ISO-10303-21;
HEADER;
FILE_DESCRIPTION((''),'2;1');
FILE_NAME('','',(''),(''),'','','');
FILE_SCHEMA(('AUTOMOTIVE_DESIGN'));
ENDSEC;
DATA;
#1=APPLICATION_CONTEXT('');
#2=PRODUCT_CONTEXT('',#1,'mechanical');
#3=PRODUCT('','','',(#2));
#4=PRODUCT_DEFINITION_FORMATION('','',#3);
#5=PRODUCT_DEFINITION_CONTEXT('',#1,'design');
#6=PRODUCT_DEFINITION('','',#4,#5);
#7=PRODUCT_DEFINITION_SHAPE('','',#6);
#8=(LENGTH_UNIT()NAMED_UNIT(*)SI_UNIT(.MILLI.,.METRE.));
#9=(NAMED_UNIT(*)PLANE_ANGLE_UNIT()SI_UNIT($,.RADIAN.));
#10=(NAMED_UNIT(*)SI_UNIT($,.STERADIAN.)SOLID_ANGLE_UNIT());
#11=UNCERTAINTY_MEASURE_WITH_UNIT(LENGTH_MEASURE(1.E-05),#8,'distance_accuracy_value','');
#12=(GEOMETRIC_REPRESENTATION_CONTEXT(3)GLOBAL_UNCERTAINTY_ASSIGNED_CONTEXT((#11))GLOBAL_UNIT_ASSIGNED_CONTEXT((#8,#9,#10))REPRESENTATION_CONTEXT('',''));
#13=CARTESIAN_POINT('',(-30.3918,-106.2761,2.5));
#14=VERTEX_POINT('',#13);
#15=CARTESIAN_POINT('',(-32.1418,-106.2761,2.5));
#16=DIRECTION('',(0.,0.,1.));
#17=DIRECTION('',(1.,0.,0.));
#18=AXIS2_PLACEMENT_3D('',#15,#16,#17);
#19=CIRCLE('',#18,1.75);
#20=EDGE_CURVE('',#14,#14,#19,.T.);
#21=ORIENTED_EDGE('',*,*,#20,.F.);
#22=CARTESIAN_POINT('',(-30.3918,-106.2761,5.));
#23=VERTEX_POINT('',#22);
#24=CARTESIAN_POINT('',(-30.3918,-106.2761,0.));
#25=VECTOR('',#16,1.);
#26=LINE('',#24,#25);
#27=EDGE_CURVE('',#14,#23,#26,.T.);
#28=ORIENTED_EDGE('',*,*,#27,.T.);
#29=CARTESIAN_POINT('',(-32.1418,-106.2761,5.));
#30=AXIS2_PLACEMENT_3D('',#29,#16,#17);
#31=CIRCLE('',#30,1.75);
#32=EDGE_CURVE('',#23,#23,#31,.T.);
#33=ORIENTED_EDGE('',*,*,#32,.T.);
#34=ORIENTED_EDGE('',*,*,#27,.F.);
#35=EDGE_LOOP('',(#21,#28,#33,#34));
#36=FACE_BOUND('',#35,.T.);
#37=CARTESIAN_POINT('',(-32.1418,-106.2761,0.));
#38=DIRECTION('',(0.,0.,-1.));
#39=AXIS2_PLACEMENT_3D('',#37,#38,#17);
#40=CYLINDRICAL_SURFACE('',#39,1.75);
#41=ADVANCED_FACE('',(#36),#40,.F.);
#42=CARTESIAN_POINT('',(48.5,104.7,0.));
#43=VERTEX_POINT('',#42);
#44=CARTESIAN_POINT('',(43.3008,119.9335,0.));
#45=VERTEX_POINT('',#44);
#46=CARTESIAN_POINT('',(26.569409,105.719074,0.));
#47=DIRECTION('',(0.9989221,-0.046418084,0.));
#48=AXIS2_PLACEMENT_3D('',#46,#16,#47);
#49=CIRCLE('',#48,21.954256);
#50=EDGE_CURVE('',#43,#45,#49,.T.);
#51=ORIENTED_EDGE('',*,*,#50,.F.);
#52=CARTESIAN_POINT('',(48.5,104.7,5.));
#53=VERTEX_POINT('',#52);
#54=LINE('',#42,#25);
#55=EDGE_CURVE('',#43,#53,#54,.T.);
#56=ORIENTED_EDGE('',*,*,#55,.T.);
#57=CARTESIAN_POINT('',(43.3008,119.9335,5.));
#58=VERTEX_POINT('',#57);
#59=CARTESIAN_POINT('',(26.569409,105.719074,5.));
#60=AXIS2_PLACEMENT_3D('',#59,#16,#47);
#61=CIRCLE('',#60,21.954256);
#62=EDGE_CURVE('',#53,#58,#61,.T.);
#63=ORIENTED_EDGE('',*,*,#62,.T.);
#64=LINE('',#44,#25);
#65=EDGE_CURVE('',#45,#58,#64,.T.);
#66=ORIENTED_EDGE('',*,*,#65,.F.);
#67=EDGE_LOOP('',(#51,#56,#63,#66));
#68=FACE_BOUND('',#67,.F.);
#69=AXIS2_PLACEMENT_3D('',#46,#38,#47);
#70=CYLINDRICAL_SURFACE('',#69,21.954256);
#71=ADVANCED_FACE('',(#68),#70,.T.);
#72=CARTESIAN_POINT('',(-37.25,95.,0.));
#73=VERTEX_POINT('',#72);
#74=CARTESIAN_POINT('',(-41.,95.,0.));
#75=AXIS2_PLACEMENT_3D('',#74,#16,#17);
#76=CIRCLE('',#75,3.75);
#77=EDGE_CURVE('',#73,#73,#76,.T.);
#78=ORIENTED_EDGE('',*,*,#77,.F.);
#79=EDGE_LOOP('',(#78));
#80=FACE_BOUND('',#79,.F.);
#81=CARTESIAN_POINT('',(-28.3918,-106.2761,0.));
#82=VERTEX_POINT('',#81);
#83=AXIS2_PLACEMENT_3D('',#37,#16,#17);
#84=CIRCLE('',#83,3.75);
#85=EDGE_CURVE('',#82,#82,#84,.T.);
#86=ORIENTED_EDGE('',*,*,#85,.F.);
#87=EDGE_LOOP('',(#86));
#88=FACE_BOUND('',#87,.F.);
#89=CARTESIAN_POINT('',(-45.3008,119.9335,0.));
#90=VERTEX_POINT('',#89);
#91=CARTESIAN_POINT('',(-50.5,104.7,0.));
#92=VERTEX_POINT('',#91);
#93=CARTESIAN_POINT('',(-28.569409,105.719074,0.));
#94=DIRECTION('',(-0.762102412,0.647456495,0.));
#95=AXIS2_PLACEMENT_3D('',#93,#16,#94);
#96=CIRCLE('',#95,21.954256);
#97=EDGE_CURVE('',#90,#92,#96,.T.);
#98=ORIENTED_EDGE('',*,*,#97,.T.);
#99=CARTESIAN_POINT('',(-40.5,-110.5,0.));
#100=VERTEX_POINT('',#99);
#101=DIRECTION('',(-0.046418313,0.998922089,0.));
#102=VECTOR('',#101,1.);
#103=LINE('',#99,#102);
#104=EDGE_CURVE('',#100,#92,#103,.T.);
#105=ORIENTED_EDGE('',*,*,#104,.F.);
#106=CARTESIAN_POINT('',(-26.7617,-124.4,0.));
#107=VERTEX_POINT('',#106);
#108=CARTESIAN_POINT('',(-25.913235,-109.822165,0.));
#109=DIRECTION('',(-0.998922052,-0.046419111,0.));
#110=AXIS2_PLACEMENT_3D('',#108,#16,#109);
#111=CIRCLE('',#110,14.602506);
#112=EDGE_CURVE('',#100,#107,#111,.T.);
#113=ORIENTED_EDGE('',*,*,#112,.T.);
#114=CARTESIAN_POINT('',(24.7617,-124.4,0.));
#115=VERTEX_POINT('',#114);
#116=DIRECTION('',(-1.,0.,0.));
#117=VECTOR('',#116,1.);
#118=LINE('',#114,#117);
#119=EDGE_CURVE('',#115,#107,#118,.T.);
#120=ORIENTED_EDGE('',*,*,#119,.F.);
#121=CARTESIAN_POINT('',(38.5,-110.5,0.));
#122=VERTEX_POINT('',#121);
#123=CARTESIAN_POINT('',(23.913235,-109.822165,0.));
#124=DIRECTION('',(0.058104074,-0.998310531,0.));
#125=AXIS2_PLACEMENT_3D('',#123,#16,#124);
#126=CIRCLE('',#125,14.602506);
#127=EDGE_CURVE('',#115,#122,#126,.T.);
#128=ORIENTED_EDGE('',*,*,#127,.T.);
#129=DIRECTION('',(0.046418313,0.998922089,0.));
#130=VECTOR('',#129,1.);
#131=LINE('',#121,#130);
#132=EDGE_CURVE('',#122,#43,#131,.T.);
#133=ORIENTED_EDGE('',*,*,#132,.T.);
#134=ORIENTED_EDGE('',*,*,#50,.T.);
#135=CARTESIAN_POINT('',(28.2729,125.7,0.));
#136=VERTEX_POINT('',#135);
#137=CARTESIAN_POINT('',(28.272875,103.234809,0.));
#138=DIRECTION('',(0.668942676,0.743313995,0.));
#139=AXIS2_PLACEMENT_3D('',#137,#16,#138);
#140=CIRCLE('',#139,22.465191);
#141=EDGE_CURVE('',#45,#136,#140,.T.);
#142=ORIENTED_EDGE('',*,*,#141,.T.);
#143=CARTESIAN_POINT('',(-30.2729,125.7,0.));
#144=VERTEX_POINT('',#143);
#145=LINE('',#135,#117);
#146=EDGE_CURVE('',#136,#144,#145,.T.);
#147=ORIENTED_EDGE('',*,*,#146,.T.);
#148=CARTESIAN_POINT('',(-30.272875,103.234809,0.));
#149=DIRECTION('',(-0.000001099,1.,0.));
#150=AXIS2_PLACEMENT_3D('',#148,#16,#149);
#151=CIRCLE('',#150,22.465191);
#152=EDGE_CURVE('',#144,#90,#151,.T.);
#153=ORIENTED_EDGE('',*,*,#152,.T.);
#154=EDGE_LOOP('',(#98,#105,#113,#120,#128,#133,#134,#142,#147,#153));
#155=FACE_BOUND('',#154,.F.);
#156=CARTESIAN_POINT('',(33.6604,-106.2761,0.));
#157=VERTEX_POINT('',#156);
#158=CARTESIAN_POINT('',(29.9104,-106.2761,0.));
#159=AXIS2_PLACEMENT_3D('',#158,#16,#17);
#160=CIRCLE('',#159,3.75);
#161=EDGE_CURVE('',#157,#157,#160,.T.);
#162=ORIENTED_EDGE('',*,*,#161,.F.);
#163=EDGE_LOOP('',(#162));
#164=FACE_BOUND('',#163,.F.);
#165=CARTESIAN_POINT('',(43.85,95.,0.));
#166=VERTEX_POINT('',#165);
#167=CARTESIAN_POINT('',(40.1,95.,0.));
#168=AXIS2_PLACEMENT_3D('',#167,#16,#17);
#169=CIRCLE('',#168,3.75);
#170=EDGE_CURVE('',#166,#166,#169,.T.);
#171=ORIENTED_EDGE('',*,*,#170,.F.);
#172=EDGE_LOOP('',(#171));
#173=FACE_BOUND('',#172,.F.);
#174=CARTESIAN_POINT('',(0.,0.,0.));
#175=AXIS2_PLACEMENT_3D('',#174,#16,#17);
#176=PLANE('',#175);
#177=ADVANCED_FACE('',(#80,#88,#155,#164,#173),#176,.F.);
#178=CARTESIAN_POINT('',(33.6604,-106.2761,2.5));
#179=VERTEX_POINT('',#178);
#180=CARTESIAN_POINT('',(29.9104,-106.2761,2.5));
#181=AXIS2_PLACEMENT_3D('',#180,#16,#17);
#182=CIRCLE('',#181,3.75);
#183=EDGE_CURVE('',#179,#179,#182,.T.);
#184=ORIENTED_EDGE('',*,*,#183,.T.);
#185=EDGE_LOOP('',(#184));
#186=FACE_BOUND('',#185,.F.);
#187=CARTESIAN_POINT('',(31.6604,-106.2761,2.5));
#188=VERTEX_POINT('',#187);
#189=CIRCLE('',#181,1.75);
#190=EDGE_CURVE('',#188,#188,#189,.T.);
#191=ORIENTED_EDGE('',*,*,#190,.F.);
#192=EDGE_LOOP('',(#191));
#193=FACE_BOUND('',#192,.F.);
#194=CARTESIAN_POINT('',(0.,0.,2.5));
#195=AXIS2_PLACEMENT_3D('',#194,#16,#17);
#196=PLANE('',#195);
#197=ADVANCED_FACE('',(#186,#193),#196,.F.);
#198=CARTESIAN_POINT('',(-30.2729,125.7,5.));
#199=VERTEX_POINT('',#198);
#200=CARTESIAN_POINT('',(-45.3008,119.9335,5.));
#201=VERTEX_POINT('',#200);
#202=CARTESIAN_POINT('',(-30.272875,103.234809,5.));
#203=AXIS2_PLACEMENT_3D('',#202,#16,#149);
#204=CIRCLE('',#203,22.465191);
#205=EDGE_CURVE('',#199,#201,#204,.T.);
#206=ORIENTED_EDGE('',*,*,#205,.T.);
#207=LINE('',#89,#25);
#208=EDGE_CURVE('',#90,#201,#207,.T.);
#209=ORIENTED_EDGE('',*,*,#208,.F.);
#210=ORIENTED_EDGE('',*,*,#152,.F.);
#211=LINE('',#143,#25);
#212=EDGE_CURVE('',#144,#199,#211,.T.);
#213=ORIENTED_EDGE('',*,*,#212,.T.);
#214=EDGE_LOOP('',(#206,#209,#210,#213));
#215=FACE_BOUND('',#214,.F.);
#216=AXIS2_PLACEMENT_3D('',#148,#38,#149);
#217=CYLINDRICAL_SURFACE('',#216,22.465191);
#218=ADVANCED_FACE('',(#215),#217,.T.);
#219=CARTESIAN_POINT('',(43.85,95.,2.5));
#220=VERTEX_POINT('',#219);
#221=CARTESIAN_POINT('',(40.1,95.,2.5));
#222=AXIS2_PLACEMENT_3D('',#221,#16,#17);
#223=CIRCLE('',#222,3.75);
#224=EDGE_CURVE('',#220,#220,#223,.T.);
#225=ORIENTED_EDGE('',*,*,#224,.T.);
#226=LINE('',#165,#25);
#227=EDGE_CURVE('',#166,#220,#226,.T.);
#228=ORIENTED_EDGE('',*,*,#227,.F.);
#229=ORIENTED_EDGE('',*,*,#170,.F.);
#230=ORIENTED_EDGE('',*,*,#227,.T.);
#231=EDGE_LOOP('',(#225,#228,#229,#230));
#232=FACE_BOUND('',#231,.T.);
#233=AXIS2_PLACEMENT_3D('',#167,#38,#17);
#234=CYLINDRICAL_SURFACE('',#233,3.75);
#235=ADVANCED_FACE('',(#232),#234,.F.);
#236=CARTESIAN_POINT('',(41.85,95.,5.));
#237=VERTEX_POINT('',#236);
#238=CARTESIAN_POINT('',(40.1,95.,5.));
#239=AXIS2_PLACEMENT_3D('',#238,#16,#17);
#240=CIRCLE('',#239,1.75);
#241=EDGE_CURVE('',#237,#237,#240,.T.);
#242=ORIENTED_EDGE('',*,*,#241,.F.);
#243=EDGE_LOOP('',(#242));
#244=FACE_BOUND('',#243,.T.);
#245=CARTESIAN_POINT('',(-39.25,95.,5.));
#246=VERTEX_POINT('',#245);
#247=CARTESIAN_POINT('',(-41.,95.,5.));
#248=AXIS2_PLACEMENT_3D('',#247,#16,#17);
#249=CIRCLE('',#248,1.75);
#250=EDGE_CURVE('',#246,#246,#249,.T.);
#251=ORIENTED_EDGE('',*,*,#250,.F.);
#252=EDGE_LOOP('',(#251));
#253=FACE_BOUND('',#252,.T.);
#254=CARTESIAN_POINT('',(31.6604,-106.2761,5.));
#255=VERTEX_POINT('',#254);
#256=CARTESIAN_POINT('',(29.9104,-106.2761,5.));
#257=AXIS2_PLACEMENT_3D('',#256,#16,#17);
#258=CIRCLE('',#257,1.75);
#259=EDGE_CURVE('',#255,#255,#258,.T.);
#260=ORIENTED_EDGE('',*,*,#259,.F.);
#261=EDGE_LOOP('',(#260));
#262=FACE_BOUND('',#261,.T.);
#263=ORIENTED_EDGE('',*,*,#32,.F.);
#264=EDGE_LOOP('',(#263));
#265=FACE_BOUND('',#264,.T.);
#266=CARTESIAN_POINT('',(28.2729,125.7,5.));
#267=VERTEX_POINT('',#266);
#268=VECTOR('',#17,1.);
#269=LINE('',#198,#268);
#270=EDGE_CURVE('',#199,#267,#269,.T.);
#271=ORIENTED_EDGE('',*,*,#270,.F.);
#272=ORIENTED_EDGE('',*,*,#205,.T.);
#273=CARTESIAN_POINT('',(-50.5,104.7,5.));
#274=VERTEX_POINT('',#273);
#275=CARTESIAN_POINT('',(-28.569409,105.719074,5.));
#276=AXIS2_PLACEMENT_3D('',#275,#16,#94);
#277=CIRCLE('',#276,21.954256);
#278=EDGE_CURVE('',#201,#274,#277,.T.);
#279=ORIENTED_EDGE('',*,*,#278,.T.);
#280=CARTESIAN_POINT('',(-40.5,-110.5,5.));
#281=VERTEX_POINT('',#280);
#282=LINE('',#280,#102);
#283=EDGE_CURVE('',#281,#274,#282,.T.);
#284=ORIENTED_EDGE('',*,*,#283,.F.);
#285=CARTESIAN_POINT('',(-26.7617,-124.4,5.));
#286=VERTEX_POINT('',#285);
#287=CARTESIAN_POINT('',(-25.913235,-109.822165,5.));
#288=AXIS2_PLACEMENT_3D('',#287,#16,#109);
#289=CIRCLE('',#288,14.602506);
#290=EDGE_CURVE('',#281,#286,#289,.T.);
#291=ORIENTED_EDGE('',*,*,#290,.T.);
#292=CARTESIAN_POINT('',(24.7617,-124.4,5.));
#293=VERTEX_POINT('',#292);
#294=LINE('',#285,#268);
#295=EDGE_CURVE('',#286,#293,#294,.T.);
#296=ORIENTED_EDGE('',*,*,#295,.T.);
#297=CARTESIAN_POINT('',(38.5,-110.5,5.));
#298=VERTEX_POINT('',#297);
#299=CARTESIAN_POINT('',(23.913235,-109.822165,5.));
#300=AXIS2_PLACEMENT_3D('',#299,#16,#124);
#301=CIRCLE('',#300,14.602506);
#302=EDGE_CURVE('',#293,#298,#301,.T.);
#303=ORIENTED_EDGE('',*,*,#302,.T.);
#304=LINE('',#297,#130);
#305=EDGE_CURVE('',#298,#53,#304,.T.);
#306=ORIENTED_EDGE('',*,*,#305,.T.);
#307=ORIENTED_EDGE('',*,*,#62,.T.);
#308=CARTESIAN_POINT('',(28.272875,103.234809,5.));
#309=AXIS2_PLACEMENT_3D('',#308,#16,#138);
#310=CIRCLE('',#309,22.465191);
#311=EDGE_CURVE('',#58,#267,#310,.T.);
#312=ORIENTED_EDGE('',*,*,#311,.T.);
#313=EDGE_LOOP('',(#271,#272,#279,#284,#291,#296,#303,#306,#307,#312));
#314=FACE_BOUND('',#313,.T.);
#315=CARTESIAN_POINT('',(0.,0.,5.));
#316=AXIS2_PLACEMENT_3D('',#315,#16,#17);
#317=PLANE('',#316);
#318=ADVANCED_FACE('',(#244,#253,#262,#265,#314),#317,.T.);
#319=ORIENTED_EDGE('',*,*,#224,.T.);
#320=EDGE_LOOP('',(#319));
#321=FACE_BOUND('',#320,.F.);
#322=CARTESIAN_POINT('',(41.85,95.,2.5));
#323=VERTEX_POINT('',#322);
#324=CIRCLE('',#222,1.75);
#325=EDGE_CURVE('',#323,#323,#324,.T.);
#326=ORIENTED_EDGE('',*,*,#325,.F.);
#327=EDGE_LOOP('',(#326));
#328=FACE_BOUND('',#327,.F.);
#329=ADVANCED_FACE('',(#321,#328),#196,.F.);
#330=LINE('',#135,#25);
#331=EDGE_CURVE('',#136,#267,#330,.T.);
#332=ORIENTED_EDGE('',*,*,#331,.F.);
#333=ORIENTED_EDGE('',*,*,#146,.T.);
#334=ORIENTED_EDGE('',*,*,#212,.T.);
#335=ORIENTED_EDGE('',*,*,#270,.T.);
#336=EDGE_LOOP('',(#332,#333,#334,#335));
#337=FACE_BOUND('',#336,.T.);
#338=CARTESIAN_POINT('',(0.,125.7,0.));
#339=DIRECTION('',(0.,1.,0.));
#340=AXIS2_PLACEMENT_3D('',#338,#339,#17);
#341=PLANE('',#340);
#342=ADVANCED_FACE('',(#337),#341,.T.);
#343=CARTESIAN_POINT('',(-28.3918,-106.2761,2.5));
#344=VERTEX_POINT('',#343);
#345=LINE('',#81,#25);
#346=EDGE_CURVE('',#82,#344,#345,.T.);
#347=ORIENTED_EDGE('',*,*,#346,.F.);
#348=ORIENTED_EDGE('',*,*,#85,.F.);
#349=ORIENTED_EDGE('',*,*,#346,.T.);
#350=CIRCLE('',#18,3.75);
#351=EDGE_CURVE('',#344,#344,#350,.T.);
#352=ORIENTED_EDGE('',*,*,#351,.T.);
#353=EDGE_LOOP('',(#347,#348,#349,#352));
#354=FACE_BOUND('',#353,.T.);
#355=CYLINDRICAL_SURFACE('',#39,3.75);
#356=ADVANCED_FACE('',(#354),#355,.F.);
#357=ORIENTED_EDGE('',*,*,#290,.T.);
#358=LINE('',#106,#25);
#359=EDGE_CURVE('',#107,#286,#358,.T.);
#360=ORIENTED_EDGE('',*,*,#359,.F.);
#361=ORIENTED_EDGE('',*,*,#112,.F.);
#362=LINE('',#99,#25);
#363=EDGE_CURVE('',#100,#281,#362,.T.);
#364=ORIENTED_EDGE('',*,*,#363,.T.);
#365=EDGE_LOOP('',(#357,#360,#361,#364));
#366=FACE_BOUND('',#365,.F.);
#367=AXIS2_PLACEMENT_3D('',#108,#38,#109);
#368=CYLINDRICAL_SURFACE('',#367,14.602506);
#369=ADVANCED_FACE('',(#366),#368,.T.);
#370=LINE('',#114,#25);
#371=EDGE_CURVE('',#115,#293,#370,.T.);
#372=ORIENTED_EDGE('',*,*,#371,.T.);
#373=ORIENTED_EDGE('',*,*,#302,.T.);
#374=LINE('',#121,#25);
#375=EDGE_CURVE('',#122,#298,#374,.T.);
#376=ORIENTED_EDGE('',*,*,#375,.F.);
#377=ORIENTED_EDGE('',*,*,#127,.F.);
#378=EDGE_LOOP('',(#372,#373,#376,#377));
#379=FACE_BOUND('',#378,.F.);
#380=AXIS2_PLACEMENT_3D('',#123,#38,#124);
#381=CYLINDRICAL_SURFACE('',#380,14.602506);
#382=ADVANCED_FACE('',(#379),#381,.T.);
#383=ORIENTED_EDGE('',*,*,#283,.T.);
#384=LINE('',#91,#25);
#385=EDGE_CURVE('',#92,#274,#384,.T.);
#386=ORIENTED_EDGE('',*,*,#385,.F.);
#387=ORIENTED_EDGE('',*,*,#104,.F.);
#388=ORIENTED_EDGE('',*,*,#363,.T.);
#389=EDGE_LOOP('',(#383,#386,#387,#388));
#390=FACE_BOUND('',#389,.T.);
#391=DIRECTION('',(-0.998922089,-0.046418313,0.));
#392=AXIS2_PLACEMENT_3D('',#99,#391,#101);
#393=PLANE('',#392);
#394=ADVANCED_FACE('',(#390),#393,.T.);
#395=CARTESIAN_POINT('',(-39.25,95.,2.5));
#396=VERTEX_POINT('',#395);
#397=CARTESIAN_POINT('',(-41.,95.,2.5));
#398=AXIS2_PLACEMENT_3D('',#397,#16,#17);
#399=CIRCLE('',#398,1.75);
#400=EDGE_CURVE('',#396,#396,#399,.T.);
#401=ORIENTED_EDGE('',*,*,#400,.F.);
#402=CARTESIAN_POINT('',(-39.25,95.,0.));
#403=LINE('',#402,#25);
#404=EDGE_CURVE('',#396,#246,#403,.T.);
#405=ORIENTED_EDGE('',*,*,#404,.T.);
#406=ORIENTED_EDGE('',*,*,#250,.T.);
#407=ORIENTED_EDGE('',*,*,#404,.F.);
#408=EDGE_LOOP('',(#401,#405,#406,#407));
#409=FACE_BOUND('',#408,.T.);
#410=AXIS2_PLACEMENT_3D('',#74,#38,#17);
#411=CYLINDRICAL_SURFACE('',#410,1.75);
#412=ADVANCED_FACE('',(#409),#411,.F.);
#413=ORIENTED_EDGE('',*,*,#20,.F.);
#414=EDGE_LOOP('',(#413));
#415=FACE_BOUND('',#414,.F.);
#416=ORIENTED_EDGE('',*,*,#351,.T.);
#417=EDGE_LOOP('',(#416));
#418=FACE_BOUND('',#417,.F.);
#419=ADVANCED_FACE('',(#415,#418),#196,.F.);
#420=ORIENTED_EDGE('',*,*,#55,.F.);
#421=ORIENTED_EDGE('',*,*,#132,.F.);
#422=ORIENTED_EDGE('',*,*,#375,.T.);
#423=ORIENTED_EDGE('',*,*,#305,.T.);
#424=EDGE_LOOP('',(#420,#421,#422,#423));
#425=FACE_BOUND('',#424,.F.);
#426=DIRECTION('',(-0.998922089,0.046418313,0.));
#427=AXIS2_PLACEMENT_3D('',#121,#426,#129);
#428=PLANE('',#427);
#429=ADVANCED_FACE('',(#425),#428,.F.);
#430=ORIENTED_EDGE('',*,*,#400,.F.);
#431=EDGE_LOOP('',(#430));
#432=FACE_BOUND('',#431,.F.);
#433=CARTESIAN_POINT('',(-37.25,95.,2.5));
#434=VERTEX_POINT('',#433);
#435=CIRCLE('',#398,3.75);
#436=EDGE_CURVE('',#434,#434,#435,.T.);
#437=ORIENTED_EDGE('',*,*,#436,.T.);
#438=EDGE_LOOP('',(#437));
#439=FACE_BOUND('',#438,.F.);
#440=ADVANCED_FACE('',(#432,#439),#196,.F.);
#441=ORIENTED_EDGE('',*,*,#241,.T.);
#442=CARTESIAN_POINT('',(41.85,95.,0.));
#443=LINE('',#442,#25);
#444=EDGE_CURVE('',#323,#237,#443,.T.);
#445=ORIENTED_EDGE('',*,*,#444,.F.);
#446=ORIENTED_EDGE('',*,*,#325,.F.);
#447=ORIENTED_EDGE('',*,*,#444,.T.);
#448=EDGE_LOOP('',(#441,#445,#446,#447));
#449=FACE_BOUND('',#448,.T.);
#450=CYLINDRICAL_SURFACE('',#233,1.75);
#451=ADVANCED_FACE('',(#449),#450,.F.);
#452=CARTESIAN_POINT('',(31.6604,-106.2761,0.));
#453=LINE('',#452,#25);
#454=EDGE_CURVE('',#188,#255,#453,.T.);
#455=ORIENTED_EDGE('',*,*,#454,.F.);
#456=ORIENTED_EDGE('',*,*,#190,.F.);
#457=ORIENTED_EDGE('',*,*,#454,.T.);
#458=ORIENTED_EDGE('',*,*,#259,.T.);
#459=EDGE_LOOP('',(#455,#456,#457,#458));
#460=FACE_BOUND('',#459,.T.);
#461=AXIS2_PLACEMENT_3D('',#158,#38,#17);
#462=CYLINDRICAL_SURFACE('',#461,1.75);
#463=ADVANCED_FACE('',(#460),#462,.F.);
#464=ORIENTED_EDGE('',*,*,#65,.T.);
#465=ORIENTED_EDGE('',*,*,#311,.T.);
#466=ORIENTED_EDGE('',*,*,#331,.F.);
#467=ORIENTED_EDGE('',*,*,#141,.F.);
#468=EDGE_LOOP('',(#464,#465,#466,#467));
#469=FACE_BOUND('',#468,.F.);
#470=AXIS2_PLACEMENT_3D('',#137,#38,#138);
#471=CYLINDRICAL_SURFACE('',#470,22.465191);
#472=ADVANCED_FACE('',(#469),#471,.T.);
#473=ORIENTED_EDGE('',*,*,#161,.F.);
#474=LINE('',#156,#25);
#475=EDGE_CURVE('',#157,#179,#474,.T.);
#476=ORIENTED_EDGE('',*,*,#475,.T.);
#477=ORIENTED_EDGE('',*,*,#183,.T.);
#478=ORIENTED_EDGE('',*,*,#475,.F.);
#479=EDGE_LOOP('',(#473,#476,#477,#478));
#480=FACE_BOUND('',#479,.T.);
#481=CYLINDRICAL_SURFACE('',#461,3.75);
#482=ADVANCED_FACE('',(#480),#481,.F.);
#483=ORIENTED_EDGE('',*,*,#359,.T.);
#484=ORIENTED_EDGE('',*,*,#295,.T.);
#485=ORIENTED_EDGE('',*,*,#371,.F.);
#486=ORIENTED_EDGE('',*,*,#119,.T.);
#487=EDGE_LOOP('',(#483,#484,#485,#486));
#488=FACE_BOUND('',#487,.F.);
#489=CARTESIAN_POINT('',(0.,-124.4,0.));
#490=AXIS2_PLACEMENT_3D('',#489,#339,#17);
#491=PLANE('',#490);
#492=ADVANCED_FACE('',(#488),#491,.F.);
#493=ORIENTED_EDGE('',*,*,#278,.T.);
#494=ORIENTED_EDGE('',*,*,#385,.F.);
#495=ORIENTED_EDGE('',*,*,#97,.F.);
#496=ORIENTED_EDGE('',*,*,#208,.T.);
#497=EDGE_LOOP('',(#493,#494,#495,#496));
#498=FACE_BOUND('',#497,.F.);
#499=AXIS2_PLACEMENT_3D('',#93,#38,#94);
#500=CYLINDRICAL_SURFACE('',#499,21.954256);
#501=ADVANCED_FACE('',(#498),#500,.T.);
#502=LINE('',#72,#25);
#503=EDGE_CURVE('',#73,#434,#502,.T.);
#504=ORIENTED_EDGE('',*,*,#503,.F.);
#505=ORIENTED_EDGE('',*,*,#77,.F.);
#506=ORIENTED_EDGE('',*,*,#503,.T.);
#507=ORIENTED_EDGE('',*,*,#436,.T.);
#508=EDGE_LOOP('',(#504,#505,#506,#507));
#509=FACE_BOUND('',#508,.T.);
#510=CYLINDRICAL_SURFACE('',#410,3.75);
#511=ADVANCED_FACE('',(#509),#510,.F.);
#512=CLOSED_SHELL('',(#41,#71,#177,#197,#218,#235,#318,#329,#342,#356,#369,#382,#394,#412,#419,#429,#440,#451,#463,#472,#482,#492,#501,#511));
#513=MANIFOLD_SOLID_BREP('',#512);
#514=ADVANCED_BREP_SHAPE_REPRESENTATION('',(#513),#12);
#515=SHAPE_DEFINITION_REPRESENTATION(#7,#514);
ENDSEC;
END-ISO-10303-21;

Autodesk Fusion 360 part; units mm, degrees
sketch "Sketch2" plane through (0, 0, 0) normal (0, 0, 1) x (1, 0, 0)
  line L0 (-41, 95) -> (40.1, 95) construction
  circle A0 centre (-41, 95) radius 1.75
  circle A1 centre (40.1, 95) radius 1.75
  line L1 (-32.1418, -106.2761) -> (29.9104, -106.2761) construction
  circle A2 centre (-32.1418, -106.2761) radius 1.75
  circle A3 centre (29.9104, -106.2761) radius 1.75
  line L2 (0, 125.7) -> (-30.2729, 125.7)
  line L3 (0, -124.4) -> (-26.7617, -124.4)
  line L4 (-40.5, -110.5) -> (-50.5, 104.7)
  arc A4 (-40.5, -110.5) -> (-26.7617, -124.4) centre (-25.9132, -109.8222) ccw
  arc A5 (-45.3008, 119.9335) -> (-50.5, 104.7) centre (-28.5694, 105.7191) ccw
  arc A6 (-30.2729, 125.7) -> (-45.3008, 119.9335) centre (-30.2729, 103.2348) ccw
  arc A7 (43.3008, 119.9335) -> (28.2729, 125.7) centre (28.2729, 103.2348) ccw
  arc A8 (48.5, 104.7) -> (43.3008, 119.9335) centre (26.5694, 105.7191) ccw
  line L5 (38.5, -110.5) -> (48.5, 104.7)
  arc A9 (24.7617, -124.4) -> (38.5, -110.5) centre (23.9132, -109.8222) ccw
  line L6 (0, 125.7) -> (28.2729, 125.7)
  line L7 (0, -124.4) -> (24.7617, -124.4)
  circle A10 centre (-41, 95) radius 3.75
  circle A11 centre (-41, 95) radius 3.75
  circle A12 centre (40.1, 95) radius 3.75
  circle A13 centre (-32.1418, -106.2761) radius 3.75
  circle A14 centre (29.9104, -106.2761) radius 3.75
  dimension "d1" = 3.5
  dimension "d2" = 62.0522
  dimension "d3" = 7.5
  dimension "d4" = 7.5
extrude "Extrude1" add sketch "Sketch2" along normal blind 5 contours L2 L3 L4 A4 A5 A6 A7 A8 L5 A9 L6 L7 | A10 A11 | A12 | A13 | A14
extrude "Extrude2" cut sketch "Sketch2" along normal blind 2.5 contours A10 A11 | A12 | A13 | A14
